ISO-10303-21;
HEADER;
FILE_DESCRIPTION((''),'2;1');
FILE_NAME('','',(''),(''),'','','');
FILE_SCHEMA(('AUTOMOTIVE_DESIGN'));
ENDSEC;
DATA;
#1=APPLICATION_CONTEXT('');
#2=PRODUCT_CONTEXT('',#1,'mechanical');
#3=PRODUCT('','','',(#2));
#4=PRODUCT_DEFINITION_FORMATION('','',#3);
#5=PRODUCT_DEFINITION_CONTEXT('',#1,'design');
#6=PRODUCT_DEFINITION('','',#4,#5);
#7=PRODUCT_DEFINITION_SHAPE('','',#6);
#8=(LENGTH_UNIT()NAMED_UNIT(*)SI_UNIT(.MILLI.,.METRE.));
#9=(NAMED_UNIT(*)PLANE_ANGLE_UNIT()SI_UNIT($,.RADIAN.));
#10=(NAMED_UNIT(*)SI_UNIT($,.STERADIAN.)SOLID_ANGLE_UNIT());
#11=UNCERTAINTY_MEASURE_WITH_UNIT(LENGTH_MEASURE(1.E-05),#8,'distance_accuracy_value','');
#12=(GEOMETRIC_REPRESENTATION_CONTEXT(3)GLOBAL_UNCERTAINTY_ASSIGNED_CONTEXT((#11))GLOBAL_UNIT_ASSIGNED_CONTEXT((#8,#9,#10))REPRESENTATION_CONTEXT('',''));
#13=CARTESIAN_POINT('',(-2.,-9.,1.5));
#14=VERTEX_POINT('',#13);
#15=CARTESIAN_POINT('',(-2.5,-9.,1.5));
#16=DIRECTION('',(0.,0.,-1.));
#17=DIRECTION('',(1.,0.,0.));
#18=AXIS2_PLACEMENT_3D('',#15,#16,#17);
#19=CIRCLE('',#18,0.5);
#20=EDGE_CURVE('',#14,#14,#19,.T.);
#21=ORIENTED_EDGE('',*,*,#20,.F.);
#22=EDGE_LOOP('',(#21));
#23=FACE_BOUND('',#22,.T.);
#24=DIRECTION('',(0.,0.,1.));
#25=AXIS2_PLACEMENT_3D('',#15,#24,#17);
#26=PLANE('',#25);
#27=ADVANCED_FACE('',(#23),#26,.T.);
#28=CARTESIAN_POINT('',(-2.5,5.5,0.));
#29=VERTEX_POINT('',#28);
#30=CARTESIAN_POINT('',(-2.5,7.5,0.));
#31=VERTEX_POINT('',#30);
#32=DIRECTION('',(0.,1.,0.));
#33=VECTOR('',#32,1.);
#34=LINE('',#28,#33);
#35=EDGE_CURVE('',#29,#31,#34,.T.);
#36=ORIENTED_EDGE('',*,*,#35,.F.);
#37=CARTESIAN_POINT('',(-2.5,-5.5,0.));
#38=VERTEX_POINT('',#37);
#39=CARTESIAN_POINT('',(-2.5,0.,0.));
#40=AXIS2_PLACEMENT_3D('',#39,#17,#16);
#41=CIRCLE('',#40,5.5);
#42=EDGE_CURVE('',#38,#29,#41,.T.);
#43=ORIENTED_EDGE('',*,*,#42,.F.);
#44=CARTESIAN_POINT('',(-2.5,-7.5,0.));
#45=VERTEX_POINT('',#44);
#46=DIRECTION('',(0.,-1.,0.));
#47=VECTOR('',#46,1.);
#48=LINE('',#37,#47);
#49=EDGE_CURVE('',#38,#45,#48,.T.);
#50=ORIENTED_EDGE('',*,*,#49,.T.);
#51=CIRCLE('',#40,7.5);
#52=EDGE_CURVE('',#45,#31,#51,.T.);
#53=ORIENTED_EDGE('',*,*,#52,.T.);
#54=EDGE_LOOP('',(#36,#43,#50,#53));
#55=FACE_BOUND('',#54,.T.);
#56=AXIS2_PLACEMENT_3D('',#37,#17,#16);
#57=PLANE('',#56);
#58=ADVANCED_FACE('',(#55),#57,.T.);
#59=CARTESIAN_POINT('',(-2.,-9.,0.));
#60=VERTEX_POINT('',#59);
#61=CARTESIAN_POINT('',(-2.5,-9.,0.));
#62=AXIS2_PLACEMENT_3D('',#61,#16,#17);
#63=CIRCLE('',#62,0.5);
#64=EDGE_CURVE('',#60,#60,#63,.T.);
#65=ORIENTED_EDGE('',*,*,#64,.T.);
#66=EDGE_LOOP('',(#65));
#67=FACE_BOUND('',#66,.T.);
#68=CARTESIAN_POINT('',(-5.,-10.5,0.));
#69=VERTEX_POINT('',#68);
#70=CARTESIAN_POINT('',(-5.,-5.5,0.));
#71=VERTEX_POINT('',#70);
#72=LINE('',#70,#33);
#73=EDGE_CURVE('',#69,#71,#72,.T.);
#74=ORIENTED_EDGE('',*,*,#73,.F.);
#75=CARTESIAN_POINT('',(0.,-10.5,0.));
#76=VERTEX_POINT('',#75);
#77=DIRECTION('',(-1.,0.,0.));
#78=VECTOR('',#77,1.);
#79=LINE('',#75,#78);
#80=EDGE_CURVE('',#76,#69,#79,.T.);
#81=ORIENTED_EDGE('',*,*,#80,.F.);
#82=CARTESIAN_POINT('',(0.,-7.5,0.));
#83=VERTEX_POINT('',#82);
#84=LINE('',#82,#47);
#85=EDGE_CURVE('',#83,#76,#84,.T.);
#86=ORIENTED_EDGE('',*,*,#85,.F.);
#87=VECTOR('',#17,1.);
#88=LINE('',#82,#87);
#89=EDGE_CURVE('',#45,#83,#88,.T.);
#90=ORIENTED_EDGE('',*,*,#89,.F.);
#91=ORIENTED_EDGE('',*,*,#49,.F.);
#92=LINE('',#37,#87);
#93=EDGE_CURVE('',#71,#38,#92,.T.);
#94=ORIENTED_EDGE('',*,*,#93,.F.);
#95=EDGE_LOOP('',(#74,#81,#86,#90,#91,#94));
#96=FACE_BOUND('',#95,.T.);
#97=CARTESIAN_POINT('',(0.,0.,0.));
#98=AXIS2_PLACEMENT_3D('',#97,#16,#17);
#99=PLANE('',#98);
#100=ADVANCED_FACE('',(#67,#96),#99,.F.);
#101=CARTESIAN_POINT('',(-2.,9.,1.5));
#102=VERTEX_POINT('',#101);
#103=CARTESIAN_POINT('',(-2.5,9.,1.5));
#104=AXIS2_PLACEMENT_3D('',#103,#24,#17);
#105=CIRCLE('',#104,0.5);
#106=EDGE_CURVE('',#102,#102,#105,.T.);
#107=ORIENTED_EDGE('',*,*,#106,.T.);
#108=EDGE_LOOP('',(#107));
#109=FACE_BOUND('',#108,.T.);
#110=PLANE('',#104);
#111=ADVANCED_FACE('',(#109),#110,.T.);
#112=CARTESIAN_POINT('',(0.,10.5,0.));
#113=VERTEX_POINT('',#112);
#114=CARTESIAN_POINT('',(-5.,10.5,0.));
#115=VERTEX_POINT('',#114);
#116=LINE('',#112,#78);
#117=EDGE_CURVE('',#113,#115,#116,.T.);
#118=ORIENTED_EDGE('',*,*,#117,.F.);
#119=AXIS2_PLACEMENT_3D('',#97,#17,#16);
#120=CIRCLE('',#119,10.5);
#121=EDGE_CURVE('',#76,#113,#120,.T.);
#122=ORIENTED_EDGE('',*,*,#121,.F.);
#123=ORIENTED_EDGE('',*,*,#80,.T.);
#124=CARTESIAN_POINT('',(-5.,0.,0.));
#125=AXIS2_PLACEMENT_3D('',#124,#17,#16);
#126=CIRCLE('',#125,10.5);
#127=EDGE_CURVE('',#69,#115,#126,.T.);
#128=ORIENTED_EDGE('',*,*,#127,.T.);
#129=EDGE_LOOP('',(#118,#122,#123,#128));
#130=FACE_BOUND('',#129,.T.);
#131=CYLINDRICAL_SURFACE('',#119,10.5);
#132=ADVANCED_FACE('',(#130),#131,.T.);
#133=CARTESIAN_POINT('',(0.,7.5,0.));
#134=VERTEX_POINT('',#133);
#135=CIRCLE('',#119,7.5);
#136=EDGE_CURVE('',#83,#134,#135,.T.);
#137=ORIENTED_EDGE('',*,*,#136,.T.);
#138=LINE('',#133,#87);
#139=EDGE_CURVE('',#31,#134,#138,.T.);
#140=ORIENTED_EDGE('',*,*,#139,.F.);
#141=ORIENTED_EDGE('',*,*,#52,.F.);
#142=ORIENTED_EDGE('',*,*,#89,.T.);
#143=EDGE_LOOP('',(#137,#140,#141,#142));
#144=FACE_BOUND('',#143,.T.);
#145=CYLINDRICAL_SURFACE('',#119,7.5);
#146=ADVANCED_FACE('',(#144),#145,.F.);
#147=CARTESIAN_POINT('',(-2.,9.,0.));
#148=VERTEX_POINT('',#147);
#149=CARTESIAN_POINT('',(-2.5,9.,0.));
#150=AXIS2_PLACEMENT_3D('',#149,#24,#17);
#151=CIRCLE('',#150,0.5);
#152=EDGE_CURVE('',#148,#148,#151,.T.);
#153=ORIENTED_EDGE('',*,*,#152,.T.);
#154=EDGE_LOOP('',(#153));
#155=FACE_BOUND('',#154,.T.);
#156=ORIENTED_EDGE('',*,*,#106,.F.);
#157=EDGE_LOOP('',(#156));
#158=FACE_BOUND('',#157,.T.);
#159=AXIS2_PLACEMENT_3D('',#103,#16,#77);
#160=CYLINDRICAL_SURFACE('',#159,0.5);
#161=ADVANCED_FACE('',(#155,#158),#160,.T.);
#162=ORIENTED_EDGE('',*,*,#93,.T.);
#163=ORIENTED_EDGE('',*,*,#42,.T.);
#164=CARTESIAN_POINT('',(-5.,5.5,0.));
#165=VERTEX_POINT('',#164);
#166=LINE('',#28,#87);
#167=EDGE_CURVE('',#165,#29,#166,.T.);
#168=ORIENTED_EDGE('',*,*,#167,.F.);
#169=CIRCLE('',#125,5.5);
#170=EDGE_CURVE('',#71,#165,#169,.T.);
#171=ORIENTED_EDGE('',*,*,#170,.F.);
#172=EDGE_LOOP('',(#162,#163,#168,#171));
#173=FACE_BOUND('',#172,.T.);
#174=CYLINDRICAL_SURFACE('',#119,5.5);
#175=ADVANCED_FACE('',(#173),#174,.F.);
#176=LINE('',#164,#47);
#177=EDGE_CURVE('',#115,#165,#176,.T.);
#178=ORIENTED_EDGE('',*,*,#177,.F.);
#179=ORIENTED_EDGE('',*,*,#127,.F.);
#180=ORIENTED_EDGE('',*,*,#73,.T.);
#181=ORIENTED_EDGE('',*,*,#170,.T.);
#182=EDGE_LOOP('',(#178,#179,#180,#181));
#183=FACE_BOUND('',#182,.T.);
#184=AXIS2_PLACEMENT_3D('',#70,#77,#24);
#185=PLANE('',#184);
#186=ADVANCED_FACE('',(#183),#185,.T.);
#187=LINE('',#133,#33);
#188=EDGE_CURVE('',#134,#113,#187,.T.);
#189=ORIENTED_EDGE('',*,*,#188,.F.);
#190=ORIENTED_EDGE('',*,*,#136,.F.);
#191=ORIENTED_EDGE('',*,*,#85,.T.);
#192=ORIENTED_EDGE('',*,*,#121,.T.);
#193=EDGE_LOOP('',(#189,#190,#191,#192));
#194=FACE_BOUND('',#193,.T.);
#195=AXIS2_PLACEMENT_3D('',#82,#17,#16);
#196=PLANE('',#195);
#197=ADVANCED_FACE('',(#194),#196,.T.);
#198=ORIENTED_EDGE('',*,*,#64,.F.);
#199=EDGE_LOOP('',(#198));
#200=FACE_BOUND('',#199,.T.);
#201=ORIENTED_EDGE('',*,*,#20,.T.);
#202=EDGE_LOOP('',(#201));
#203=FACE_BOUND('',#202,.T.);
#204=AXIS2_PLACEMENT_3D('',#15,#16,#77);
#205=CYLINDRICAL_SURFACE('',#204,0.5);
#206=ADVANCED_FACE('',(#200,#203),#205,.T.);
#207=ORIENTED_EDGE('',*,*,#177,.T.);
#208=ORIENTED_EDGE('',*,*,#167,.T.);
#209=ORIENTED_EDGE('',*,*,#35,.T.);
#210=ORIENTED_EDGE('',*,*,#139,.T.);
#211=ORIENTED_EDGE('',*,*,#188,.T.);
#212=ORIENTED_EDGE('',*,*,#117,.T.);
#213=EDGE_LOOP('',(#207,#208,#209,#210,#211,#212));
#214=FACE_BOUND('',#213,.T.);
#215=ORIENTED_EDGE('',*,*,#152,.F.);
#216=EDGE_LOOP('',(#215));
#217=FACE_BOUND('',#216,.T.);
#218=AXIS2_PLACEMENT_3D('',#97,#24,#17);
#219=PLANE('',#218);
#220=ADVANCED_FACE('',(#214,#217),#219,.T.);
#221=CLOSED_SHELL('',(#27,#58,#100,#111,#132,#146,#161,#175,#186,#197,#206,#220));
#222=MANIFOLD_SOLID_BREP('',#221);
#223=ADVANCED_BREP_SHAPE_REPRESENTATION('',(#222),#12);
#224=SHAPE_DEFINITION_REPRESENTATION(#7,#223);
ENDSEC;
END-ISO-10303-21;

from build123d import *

# Parameters (mm, degrees)
REVOLVE1_ANGLE      = 180
SKETCH2_R           = 0.5
BOSS_EXTRUDE1_DEPTH = 1.5


with BuildPart() as part:
    # Sketch1 → Revolve1 (revolve)
    with BuildSketch(Plane.XY):
        Polygon((-2.5, 5.5), (-5, 5.5), (-5, 10.5), (0, 10.5), (0, 7.5), (-2.5, 7.5), align=None)
    revolve(axis=Axis((0, 0, 0), (-1, 0, 0)), revolution_arc=REVOLVE1_ANGLE)

    # Sketch2 → Boss-Extrude1 (add)
    with BuildSketch(Plane.XY):
        with Locations((-2.5, 9)):
            Circle(SKETCH2_R)
    boss_extrude1 = extrude(amount=BOSS_EXTRUDE1_DEPTH)

    # Mirror1: Boss-Extrude1 across plane
    add(boss_extrude1.mirror(Plane.ZX))


solid = part.part
